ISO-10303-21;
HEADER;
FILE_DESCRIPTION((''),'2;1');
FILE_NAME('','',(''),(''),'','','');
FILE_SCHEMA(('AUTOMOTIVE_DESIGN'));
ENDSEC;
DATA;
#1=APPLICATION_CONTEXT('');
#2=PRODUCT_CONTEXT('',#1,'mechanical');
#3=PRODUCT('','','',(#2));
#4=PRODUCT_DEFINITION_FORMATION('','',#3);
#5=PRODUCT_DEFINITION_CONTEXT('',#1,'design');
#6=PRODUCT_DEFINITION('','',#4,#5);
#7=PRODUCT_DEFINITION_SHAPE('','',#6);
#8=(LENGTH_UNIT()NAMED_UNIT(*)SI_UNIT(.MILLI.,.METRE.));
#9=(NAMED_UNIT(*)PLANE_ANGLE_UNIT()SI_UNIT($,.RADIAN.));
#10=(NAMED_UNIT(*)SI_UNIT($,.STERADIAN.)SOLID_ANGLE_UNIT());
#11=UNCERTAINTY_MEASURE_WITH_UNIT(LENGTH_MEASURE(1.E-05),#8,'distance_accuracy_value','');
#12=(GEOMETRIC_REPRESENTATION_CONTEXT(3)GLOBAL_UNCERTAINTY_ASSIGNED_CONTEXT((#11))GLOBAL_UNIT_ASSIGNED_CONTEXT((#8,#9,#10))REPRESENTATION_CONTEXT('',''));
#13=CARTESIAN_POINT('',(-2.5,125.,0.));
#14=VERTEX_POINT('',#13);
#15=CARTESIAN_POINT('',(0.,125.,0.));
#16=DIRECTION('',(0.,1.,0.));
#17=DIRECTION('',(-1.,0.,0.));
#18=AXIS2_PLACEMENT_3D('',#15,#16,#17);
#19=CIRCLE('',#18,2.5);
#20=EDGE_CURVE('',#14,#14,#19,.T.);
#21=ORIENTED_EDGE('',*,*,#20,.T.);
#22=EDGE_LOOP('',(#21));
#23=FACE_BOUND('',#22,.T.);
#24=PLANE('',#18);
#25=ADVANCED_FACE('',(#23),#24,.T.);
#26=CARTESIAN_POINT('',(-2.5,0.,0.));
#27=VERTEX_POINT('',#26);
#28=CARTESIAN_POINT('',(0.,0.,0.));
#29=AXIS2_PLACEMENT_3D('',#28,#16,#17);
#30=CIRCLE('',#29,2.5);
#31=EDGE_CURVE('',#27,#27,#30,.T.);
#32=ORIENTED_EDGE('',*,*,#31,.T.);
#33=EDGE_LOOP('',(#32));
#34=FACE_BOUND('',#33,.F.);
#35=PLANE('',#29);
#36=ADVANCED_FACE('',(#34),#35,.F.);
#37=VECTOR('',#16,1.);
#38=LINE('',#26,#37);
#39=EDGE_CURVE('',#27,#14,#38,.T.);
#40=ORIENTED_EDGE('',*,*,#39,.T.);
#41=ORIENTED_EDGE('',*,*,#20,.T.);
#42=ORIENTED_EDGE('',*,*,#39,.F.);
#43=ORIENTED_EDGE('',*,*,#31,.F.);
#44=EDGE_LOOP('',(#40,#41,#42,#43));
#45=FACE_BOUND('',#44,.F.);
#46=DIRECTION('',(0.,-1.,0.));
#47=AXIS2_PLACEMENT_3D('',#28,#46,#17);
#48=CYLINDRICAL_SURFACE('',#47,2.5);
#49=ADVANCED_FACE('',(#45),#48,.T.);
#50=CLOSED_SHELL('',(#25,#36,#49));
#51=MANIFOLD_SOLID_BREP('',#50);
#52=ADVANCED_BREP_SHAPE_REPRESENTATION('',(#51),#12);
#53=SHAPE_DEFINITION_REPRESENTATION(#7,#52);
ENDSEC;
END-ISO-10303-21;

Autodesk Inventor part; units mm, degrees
ref_plane "YZ Plane" through (0, 0, 0) normal (1, 0, 0) x (0, 1, 0)
ref_plane "XZ Plane" through (0, 0, 0) normal (0, 1, 0) x (-1, 0, 0)
ref_plane "XY Plane" through (0, 0, 0) normal (0, 0, 1) x (1, 0, 0)
sketch "Sketch1" plane through (0, 0, 0) normal (0, 1, 0) x (-1, 0, 0)
  circle A0 centre (0, 0) radius 2.5
  dimension "d0" = 5
extrude "Extrusion1" add sketch "Sketch1" along normal blind 125
properties part number "screw"
